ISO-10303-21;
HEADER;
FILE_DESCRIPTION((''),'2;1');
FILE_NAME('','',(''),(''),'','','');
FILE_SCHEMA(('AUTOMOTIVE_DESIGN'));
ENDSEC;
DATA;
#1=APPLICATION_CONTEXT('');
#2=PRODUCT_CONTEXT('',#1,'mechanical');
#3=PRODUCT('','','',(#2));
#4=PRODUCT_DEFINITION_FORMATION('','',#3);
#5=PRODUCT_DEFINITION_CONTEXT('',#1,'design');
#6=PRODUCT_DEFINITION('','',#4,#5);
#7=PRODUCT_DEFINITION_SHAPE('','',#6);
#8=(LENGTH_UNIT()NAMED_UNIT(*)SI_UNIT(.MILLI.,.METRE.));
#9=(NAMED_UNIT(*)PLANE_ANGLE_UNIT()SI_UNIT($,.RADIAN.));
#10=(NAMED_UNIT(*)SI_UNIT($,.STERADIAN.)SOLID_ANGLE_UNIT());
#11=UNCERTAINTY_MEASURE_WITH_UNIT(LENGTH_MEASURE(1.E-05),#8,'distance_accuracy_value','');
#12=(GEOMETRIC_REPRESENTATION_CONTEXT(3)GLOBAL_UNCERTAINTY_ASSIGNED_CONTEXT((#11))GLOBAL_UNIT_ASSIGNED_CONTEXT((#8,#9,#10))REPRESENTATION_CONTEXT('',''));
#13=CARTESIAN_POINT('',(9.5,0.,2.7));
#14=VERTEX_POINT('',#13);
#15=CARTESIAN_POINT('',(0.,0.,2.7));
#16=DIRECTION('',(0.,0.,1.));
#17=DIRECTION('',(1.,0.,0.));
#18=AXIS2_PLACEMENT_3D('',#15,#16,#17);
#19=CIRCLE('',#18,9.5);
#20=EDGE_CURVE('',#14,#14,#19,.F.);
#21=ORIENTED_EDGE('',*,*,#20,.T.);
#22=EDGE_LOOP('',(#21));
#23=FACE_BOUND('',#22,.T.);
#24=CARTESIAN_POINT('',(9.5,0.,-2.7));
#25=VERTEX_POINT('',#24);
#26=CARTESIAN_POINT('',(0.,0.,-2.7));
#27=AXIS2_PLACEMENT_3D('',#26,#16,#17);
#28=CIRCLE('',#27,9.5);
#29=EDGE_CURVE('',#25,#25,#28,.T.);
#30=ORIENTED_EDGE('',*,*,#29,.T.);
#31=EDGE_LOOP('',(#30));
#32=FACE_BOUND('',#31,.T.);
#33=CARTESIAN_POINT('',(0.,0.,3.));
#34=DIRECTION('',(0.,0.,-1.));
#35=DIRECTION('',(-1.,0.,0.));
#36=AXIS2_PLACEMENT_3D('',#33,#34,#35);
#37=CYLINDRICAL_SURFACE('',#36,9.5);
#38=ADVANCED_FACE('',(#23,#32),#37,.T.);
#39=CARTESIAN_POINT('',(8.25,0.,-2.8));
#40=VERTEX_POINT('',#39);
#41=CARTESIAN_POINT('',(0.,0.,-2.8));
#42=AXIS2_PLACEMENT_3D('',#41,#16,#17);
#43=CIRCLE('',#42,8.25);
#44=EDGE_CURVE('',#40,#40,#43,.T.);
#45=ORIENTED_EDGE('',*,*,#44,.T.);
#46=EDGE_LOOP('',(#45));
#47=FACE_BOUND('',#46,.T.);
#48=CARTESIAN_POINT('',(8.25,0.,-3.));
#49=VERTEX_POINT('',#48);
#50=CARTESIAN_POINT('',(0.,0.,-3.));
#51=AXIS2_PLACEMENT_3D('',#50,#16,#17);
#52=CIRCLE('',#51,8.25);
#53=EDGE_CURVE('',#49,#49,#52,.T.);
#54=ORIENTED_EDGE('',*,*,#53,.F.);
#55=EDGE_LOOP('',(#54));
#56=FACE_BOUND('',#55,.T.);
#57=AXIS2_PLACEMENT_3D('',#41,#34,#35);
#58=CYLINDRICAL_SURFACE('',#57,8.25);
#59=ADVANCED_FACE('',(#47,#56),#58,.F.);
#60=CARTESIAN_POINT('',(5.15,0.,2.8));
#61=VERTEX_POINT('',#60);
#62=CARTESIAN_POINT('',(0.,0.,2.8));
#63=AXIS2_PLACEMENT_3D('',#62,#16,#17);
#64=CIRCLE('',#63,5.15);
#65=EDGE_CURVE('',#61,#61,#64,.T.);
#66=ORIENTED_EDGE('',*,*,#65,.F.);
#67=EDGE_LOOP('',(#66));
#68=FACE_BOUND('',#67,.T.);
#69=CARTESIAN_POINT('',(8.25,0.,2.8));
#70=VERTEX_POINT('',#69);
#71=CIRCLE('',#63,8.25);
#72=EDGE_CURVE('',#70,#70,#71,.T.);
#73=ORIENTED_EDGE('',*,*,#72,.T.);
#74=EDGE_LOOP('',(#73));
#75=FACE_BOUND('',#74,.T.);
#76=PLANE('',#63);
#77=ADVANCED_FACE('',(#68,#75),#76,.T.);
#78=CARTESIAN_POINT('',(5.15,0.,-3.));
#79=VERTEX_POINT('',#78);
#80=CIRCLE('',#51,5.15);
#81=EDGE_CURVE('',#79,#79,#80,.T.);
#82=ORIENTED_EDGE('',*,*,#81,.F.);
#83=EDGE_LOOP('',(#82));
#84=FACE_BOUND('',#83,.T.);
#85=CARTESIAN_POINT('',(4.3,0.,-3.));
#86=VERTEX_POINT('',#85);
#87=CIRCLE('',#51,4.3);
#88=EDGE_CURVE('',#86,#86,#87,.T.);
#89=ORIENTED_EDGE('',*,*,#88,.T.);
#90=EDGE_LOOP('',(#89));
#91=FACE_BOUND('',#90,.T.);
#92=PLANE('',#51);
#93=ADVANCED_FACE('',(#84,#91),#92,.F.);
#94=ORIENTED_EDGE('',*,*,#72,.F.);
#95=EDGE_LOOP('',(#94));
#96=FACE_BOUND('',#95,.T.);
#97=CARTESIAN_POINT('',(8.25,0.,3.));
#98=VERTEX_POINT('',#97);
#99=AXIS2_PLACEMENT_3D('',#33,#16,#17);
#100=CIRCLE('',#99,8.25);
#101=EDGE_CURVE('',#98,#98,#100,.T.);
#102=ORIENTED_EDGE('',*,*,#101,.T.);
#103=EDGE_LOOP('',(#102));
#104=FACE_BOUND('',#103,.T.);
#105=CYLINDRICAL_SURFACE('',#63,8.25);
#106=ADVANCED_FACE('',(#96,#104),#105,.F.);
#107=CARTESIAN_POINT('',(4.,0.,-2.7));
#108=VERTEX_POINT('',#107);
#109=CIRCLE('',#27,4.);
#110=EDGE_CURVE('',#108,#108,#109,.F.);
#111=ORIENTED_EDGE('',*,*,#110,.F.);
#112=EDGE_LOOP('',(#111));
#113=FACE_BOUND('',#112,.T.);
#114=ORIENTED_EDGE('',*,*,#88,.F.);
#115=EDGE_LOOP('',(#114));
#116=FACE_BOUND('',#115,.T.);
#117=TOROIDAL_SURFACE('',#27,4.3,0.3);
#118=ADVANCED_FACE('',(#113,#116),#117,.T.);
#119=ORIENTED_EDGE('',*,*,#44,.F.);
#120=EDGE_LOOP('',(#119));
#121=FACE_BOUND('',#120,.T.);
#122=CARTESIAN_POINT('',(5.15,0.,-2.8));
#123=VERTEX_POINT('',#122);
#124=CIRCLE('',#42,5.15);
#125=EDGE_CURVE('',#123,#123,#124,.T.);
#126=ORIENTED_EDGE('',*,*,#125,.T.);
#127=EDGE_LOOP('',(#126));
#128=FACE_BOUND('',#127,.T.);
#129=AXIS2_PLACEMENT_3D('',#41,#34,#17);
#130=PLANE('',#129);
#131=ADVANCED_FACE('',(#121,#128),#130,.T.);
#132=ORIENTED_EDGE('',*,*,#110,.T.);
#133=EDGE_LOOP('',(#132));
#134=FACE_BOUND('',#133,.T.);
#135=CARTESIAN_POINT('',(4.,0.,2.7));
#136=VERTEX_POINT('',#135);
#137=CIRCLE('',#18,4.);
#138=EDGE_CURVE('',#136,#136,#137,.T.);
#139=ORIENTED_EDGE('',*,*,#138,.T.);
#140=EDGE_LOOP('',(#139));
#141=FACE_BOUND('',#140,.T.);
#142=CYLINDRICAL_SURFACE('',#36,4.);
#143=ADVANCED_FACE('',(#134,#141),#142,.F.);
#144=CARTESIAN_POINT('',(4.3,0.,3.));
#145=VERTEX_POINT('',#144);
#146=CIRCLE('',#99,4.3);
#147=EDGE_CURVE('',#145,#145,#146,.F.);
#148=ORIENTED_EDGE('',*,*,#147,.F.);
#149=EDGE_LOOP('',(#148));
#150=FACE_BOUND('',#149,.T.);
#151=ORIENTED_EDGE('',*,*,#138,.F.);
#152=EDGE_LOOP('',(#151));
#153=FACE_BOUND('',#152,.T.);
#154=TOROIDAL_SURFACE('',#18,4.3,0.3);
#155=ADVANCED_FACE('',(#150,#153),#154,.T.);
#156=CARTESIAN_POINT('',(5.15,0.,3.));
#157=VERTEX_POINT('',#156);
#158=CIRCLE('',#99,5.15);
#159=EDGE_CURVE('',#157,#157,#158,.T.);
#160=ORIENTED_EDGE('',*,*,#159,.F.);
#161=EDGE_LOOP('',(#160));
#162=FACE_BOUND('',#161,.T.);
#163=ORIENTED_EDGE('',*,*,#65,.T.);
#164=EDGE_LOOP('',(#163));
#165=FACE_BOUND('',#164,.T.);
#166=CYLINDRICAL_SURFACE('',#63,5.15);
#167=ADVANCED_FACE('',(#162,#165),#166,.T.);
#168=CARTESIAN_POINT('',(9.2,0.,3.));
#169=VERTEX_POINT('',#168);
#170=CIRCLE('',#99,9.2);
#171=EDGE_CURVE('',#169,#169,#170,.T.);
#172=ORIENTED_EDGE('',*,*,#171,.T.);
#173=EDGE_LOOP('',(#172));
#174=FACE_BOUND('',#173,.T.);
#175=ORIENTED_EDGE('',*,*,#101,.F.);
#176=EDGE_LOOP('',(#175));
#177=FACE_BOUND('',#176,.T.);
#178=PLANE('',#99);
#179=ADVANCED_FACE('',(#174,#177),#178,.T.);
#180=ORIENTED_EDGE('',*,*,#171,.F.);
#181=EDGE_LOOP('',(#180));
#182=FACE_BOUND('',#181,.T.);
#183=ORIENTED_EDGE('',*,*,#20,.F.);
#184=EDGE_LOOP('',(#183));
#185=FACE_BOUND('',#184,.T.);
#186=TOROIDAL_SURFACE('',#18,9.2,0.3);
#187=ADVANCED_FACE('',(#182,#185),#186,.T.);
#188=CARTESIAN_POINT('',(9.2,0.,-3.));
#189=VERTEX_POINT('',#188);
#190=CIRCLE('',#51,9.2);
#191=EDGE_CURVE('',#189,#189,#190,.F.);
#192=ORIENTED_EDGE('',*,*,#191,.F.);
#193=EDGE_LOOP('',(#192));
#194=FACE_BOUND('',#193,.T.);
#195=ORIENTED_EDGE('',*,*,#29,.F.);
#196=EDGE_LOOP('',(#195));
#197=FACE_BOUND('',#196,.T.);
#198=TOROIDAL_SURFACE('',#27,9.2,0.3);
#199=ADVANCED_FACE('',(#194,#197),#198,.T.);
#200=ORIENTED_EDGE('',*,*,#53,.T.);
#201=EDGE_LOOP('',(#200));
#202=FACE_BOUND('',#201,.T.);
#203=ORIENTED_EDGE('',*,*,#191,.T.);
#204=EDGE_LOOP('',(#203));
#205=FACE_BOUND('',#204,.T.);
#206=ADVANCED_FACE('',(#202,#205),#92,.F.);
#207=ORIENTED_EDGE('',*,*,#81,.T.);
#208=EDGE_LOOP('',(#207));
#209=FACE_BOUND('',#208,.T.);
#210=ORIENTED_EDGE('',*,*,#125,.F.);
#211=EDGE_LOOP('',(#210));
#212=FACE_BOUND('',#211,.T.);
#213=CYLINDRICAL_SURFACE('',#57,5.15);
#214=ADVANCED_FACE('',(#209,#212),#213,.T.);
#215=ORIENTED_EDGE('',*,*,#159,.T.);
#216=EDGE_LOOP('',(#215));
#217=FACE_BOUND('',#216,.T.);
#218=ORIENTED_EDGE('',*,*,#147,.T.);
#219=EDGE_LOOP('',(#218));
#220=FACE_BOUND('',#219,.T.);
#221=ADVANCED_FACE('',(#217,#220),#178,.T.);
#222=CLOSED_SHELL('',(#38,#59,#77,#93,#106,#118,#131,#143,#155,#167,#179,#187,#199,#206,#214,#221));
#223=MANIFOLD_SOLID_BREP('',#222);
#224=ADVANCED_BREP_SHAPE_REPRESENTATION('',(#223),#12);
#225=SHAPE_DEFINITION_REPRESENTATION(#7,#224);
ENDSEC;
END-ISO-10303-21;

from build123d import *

# Parameters (mm, degrees)
SKETCH_1_R          = 9.5
SKETCH_1_R_2        = 4
EXTRUDE_1_DEPTH     = 3
SKETCH_2_R          = 8.25
SKETCH_2_R_2        = 5.15
CUT_EXTRUDE_2_DEPTH = 0.2
FILLET_1_R          = 0.3


with BuildPart() as part:
    # 草图1 → 拉伸1 (new, symmetric)
    with BuildSketch(Plane.XY):
        Circle(SKETCH_1_R)
        Circle(SKETCH_1_R_2, mode=Mode.SUBTRACT)
    extrude(amount=EXTRUDE_1_DEPTH, both=True)

    # 草图2 → 拉伸2 (cut)
    with BuildSketch(Plane.XY.offset(3)):
        Circle(SKETCH_2_R)
        Circle(SKETCH_2_R_2, mode=Mode.SUBTRACT)
    cut_extrude_2 = extrude(amount=-CUT_EXTRUDE_2_DEPTH, mode=Mode.SUBTRACT)

    # 镜向1: 拉伸2 across plane
    add(cut_extrude_2.mirror(Plane.XY), mode=Mode.SUBTRACT)

    # 圆角1
    fillet_1_edges = [part.edges().sort_by_distance(p)[0] for p in [
        (-9.5, 0, -3),
        (-9.5, 0, 3),
        (-4, 0, -3),
        (-4, 0, 3),
    ]]
    fillet(fillet_1_edges, radius=FILLET_1_R)


solid = part.part
